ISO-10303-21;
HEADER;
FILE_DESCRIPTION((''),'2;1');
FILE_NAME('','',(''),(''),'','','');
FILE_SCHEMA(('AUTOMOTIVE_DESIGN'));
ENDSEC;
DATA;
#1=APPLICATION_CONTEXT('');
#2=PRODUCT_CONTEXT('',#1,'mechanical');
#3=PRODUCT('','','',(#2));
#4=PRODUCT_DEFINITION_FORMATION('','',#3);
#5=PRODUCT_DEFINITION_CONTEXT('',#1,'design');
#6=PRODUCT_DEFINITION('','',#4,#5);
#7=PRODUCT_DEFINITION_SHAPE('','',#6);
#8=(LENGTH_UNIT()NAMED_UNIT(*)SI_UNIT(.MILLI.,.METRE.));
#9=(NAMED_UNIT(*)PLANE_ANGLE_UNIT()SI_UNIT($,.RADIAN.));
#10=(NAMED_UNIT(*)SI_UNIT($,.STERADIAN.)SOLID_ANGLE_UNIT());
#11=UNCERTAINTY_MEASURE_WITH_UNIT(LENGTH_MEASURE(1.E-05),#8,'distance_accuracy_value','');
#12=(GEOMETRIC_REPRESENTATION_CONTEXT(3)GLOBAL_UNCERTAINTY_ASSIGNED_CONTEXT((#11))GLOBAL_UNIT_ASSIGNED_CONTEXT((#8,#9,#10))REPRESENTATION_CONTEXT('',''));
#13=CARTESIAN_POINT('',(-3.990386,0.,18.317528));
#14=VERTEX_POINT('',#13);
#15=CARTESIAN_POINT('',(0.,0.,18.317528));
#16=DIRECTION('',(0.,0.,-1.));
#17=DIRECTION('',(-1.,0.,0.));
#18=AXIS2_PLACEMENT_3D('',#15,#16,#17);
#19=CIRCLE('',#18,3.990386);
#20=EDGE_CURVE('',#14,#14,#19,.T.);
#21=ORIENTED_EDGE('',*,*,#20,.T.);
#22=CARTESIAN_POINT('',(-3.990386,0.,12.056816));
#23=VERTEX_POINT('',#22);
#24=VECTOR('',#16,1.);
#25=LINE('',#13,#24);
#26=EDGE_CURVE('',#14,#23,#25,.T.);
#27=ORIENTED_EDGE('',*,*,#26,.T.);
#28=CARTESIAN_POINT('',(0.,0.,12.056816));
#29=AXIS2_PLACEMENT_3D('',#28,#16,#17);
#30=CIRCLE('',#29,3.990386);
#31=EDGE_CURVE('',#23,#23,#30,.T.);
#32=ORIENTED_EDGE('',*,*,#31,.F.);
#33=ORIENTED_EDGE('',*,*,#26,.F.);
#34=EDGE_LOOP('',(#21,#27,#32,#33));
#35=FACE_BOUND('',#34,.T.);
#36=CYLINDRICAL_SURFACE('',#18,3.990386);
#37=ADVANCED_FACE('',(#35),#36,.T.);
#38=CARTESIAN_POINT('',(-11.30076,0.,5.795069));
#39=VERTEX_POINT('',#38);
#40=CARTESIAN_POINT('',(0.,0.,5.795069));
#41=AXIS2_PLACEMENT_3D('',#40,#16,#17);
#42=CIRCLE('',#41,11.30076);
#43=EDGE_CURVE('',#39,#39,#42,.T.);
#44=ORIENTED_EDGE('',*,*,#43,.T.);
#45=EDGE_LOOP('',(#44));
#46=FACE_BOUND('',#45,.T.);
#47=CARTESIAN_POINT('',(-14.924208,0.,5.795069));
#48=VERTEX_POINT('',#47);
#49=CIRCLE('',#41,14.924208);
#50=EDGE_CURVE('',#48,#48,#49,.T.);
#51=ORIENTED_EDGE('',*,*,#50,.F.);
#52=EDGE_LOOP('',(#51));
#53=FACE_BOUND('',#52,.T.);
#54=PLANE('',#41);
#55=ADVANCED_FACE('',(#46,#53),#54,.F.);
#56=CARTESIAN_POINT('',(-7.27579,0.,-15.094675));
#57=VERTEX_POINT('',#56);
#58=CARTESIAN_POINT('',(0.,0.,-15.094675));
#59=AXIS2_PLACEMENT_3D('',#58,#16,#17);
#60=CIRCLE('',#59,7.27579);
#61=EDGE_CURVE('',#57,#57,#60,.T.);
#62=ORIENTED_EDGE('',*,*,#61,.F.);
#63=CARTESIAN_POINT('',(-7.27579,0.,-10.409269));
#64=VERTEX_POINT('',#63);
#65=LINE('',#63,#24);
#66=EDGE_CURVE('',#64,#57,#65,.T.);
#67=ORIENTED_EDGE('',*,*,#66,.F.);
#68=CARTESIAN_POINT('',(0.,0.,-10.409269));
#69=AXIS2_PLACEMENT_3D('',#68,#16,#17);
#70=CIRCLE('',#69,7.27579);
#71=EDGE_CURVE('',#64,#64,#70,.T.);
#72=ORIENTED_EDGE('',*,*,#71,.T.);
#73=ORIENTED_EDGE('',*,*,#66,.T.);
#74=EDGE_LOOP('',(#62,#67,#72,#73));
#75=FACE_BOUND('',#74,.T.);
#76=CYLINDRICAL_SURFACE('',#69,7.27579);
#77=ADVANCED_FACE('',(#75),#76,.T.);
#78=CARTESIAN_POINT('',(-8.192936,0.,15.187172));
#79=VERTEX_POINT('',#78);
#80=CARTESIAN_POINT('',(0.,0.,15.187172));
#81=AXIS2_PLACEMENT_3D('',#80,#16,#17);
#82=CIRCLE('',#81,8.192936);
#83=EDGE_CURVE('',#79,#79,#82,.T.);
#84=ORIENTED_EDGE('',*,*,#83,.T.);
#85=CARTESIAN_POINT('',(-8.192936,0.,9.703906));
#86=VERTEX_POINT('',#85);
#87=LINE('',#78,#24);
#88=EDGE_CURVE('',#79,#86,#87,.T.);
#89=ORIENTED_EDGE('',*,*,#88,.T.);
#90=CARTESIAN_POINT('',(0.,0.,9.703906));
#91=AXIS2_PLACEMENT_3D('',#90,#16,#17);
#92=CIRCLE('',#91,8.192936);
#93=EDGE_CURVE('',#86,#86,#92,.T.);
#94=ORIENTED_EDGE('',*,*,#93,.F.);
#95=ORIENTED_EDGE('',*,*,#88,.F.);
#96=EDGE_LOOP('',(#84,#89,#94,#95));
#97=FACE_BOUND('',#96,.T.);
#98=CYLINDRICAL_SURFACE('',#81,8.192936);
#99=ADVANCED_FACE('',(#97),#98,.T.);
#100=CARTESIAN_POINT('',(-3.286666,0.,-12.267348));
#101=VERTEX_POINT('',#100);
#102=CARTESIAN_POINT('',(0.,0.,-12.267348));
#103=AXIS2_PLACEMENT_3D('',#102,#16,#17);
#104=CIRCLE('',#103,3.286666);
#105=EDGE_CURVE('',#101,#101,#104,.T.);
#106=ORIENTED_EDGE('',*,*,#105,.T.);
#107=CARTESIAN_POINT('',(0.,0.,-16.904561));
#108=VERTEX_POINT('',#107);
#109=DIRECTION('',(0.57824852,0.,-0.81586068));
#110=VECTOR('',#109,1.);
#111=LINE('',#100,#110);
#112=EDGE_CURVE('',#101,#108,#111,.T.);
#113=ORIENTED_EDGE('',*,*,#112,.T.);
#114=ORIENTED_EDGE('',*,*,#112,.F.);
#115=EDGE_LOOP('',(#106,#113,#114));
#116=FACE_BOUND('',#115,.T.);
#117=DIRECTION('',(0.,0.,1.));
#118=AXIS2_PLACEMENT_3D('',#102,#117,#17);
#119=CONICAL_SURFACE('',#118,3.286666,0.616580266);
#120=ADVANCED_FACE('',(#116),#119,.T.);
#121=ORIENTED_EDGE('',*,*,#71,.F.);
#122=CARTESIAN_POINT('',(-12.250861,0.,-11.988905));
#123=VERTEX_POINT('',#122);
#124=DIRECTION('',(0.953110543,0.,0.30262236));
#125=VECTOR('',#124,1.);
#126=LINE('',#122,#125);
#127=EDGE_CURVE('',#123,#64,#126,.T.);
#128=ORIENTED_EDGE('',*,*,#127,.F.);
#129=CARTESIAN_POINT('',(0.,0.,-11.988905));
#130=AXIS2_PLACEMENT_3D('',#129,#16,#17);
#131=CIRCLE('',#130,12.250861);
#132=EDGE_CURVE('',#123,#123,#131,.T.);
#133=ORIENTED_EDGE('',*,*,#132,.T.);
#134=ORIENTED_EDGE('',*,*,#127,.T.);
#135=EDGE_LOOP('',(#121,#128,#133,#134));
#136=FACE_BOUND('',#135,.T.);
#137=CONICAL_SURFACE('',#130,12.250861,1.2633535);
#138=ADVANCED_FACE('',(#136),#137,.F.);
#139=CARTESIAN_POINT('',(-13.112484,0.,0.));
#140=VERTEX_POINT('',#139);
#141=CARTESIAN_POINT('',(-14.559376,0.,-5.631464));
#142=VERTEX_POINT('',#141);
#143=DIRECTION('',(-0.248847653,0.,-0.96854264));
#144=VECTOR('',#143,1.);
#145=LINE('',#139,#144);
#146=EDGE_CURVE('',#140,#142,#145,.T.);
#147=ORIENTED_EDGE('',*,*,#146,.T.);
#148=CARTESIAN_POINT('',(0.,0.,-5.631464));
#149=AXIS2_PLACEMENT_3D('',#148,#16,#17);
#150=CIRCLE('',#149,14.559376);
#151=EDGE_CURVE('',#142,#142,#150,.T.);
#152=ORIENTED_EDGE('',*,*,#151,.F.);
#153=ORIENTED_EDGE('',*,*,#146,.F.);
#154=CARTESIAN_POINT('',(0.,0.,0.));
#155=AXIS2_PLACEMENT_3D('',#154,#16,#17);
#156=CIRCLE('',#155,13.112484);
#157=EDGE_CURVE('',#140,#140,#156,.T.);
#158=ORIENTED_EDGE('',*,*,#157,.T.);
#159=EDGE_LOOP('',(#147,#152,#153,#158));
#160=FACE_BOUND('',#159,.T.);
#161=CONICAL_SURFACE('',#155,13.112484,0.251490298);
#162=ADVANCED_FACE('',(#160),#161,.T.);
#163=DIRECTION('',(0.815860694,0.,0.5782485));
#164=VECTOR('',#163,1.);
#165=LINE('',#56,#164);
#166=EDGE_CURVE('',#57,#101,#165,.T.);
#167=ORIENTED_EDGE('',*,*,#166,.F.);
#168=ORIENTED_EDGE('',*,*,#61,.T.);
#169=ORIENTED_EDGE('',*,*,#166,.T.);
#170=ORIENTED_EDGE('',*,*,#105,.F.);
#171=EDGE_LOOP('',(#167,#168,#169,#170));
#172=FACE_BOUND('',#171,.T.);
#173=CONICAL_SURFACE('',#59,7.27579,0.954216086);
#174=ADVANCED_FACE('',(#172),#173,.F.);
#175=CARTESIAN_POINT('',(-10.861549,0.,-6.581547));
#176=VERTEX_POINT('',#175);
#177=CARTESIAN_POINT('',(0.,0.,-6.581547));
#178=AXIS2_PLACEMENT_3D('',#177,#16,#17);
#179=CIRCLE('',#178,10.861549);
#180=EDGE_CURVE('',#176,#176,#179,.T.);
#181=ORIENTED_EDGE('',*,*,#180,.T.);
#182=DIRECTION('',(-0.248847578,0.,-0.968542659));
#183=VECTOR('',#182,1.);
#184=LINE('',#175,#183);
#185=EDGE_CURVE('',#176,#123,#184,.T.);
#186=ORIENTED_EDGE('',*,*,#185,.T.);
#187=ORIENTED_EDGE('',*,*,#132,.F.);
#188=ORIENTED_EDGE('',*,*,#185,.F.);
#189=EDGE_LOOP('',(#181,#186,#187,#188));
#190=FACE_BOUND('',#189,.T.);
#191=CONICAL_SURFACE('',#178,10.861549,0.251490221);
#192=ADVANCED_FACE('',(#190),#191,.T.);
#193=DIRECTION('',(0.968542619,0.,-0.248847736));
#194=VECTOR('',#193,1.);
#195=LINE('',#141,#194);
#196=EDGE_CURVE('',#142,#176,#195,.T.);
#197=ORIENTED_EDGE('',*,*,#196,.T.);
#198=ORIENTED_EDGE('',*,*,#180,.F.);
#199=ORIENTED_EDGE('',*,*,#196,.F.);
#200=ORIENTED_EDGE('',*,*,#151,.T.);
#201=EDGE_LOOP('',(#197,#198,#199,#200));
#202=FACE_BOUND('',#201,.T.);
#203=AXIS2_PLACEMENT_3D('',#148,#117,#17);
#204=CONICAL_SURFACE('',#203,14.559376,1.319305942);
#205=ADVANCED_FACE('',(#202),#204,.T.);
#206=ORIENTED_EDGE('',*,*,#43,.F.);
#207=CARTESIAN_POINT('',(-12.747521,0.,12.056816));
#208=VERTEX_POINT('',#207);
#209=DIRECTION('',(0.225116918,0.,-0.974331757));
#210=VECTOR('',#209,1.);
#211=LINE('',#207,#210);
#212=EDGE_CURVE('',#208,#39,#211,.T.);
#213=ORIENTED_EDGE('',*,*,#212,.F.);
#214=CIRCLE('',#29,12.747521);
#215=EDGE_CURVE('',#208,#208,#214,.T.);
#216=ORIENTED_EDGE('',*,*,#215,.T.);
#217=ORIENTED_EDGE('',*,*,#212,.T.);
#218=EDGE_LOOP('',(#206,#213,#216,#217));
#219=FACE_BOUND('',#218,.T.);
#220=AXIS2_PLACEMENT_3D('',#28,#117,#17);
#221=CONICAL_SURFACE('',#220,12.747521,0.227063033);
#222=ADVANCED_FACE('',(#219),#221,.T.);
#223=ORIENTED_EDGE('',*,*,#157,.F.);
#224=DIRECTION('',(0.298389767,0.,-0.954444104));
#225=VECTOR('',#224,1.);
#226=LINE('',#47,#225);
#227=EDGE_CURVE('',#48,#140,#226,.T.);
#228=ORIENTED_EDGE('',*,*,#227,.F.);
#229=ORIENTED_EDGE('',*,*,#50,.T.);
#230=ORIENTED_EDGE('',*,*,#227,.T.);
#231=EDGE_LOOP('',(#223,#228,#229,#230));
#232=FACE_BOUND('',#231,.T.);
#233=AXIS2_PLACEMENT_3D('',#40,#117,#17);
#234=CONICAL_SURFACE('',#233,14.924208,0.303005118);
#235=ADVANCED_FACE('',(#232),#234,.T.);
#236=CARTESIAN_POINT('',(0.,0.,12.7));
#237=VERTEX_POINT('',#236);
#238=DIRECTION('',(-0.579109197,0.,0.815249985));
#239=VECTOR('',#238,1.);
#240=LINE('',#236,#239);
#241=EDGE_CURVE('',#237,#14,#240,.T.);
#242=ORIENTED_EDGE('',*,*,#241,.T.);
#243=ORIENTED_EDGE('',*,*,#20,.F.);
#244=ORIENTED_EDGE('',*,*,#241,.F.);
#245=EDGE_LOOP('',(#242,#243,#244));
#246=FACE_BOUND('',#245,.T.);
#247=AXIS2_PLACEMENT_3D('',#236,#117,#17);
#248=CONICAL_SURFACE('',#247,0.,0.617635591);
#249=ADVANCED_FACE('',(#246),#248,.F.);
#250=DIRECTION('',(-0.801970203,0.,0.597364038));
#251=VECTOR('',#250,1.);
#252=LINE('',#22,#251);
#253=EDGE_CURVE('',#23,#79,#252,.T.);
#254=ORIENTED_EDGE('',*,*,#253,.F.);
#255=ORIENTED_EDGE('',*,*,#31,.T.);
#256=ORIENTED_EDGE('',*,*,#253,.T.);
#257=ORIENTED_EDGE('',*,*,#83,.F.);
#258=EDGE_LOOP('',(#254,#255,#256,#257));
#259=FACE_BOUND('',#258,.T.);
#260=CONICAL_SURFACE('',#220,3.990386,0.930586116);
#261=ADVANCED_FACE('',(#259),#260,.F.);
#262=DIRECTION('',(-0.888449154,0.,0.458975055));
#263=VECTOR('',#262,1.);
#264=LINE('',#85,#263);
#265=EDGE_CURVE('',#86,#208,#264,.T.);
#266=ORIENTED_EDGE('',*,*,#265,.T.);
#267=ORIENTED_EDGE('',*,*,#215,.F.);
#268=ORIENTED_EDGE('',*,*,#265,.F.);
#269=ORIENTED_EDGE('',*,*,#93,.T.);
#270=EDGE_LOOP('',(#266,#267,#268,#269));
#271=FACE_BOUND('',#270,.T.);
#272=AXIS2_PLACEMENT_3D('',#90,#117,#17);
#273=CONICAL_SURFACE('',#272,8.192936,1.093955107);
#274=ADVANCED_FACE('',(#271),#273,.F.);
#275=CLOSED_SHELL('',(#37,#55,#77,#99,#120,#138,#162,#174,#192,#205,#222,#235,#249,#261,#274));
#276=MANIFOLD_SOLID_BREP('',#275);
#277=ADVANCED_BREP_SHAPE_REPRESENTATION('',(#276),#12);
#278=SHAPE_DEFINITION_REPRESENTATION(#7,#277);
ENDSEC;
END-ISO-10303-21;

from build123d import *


with BuildPart() as f1:
    # F0 (on Front) → F1 (revolve)
    with BuildSketch(Plane.XZ):
        with BuildLine():
            Line((0, -16.904561), (0, -12.7))
            ThreePointArc((0, -12.7), (-1.65751, -12.591372), (-3.286666, -12.267348))
            Line((-3.286666, -12.267348), (0, -16.904561))
        make_face()
        with BuildLine():
            Line((-7.27579, -15.094675), (-3.286666, -12.267348))
            ThreePointArc((-3.286666, -12.267348), (-5.362321, -11.512407), (-7.27579, -10.409269))
            Line((-7.27579, -10.409269), (-7.27579, -15.094675))
        make_face()
        with BuildLine():
            Line((-12.250861, -11.988905), (-7.27579, -10.409269))
            ThreePointArc((-7.27579, -10.409269), (-9.268421, -8.682533), (-10.861549, -6.581547))
            Line((-10.861549, -6.581547), (-12.250861, -11.988905))
        make_face()
        with BuildLine():
            Line((0, 0), (0, 12.7))
            ThreePointArc((0, 12.7), (-2.020944, 12.538173), (-3.990386, 12.056816))
            ThreePointArc((-3.990386, 12.056816), (-6.204223, 11.081409), (-8.192936, 9.703906))
            ThreePointArc((-8.192936, 9.703906), (-9.940865, 7.903746), (-11.30076, 5.795069))
            ThreePointArc((-11.30076, 5.795069), (-12.692011, -0.450404), (-10.861549, -6.581547))
            ThreePointArc((-10.861549, -6.581547), (-9.268421, -8.682533), (-7.27579, -10.409269))
            ThreePointArc((-7.27579, -10.409269), (-5.362321, -11.512407), (-3.286666, -12.267348))
            ThreePointArc((-3.286666, -12.267348), (-1.65751, -12.591372), (0, -12.7))
            Line((0, -12.7), (0, 0))
        make_face()
        with BuildLine():
            ThreePointArc((-10.861549, -6.581547), (-12.692011, -0.450404), (-11.30076, 5.795069))
            Line((-11.30076, 5.795069), (-14.924208, 5.795069))
            Line((-14.924208, 5.795069), (-13.112484, 0))
            Line((-13.112484, 0), (-14.559376, -5.631464))
            Line((-14.559376, -5.631464), (-10.861549, -6.581547))
        make_face()
        with BuildLine():
            ThreePointArc((-11.30076, 5.795069), (-9.940865, 7.903746), (-8.192936, 9.703906))
            Line((-8.192936, 9.703906), (-12.747521, 12.056816))
            Line((-12.747521, 12.056816), (-11.30076, 5.795069))
        make_face()
        with BuildLine():
            ThreePointArc((-8.192936, 9.703906), (-6.204223, 11.081409), (-3.990386, 12.056816))
            Line((-3.990386, 12.056816), (-8.192936, 15.187172))
            Line((-8.192936, 15.187172), (-8.192936, 9.703906))
        make_face()
        with BuildLine():
            ThreePointArc((-3.990386, 12.056816), (-2.020944, 12.538173), (0, 12.7))
            Line((0, 12.7), (-3.990386, 18.317528))
            Line((-3.990386, 18.317528), (-3.990386, 12.056816))
        make_face()
    revolve(axis=Axis((0, 0, -6.35), (0, 0, -1)))


solid = f1.part
